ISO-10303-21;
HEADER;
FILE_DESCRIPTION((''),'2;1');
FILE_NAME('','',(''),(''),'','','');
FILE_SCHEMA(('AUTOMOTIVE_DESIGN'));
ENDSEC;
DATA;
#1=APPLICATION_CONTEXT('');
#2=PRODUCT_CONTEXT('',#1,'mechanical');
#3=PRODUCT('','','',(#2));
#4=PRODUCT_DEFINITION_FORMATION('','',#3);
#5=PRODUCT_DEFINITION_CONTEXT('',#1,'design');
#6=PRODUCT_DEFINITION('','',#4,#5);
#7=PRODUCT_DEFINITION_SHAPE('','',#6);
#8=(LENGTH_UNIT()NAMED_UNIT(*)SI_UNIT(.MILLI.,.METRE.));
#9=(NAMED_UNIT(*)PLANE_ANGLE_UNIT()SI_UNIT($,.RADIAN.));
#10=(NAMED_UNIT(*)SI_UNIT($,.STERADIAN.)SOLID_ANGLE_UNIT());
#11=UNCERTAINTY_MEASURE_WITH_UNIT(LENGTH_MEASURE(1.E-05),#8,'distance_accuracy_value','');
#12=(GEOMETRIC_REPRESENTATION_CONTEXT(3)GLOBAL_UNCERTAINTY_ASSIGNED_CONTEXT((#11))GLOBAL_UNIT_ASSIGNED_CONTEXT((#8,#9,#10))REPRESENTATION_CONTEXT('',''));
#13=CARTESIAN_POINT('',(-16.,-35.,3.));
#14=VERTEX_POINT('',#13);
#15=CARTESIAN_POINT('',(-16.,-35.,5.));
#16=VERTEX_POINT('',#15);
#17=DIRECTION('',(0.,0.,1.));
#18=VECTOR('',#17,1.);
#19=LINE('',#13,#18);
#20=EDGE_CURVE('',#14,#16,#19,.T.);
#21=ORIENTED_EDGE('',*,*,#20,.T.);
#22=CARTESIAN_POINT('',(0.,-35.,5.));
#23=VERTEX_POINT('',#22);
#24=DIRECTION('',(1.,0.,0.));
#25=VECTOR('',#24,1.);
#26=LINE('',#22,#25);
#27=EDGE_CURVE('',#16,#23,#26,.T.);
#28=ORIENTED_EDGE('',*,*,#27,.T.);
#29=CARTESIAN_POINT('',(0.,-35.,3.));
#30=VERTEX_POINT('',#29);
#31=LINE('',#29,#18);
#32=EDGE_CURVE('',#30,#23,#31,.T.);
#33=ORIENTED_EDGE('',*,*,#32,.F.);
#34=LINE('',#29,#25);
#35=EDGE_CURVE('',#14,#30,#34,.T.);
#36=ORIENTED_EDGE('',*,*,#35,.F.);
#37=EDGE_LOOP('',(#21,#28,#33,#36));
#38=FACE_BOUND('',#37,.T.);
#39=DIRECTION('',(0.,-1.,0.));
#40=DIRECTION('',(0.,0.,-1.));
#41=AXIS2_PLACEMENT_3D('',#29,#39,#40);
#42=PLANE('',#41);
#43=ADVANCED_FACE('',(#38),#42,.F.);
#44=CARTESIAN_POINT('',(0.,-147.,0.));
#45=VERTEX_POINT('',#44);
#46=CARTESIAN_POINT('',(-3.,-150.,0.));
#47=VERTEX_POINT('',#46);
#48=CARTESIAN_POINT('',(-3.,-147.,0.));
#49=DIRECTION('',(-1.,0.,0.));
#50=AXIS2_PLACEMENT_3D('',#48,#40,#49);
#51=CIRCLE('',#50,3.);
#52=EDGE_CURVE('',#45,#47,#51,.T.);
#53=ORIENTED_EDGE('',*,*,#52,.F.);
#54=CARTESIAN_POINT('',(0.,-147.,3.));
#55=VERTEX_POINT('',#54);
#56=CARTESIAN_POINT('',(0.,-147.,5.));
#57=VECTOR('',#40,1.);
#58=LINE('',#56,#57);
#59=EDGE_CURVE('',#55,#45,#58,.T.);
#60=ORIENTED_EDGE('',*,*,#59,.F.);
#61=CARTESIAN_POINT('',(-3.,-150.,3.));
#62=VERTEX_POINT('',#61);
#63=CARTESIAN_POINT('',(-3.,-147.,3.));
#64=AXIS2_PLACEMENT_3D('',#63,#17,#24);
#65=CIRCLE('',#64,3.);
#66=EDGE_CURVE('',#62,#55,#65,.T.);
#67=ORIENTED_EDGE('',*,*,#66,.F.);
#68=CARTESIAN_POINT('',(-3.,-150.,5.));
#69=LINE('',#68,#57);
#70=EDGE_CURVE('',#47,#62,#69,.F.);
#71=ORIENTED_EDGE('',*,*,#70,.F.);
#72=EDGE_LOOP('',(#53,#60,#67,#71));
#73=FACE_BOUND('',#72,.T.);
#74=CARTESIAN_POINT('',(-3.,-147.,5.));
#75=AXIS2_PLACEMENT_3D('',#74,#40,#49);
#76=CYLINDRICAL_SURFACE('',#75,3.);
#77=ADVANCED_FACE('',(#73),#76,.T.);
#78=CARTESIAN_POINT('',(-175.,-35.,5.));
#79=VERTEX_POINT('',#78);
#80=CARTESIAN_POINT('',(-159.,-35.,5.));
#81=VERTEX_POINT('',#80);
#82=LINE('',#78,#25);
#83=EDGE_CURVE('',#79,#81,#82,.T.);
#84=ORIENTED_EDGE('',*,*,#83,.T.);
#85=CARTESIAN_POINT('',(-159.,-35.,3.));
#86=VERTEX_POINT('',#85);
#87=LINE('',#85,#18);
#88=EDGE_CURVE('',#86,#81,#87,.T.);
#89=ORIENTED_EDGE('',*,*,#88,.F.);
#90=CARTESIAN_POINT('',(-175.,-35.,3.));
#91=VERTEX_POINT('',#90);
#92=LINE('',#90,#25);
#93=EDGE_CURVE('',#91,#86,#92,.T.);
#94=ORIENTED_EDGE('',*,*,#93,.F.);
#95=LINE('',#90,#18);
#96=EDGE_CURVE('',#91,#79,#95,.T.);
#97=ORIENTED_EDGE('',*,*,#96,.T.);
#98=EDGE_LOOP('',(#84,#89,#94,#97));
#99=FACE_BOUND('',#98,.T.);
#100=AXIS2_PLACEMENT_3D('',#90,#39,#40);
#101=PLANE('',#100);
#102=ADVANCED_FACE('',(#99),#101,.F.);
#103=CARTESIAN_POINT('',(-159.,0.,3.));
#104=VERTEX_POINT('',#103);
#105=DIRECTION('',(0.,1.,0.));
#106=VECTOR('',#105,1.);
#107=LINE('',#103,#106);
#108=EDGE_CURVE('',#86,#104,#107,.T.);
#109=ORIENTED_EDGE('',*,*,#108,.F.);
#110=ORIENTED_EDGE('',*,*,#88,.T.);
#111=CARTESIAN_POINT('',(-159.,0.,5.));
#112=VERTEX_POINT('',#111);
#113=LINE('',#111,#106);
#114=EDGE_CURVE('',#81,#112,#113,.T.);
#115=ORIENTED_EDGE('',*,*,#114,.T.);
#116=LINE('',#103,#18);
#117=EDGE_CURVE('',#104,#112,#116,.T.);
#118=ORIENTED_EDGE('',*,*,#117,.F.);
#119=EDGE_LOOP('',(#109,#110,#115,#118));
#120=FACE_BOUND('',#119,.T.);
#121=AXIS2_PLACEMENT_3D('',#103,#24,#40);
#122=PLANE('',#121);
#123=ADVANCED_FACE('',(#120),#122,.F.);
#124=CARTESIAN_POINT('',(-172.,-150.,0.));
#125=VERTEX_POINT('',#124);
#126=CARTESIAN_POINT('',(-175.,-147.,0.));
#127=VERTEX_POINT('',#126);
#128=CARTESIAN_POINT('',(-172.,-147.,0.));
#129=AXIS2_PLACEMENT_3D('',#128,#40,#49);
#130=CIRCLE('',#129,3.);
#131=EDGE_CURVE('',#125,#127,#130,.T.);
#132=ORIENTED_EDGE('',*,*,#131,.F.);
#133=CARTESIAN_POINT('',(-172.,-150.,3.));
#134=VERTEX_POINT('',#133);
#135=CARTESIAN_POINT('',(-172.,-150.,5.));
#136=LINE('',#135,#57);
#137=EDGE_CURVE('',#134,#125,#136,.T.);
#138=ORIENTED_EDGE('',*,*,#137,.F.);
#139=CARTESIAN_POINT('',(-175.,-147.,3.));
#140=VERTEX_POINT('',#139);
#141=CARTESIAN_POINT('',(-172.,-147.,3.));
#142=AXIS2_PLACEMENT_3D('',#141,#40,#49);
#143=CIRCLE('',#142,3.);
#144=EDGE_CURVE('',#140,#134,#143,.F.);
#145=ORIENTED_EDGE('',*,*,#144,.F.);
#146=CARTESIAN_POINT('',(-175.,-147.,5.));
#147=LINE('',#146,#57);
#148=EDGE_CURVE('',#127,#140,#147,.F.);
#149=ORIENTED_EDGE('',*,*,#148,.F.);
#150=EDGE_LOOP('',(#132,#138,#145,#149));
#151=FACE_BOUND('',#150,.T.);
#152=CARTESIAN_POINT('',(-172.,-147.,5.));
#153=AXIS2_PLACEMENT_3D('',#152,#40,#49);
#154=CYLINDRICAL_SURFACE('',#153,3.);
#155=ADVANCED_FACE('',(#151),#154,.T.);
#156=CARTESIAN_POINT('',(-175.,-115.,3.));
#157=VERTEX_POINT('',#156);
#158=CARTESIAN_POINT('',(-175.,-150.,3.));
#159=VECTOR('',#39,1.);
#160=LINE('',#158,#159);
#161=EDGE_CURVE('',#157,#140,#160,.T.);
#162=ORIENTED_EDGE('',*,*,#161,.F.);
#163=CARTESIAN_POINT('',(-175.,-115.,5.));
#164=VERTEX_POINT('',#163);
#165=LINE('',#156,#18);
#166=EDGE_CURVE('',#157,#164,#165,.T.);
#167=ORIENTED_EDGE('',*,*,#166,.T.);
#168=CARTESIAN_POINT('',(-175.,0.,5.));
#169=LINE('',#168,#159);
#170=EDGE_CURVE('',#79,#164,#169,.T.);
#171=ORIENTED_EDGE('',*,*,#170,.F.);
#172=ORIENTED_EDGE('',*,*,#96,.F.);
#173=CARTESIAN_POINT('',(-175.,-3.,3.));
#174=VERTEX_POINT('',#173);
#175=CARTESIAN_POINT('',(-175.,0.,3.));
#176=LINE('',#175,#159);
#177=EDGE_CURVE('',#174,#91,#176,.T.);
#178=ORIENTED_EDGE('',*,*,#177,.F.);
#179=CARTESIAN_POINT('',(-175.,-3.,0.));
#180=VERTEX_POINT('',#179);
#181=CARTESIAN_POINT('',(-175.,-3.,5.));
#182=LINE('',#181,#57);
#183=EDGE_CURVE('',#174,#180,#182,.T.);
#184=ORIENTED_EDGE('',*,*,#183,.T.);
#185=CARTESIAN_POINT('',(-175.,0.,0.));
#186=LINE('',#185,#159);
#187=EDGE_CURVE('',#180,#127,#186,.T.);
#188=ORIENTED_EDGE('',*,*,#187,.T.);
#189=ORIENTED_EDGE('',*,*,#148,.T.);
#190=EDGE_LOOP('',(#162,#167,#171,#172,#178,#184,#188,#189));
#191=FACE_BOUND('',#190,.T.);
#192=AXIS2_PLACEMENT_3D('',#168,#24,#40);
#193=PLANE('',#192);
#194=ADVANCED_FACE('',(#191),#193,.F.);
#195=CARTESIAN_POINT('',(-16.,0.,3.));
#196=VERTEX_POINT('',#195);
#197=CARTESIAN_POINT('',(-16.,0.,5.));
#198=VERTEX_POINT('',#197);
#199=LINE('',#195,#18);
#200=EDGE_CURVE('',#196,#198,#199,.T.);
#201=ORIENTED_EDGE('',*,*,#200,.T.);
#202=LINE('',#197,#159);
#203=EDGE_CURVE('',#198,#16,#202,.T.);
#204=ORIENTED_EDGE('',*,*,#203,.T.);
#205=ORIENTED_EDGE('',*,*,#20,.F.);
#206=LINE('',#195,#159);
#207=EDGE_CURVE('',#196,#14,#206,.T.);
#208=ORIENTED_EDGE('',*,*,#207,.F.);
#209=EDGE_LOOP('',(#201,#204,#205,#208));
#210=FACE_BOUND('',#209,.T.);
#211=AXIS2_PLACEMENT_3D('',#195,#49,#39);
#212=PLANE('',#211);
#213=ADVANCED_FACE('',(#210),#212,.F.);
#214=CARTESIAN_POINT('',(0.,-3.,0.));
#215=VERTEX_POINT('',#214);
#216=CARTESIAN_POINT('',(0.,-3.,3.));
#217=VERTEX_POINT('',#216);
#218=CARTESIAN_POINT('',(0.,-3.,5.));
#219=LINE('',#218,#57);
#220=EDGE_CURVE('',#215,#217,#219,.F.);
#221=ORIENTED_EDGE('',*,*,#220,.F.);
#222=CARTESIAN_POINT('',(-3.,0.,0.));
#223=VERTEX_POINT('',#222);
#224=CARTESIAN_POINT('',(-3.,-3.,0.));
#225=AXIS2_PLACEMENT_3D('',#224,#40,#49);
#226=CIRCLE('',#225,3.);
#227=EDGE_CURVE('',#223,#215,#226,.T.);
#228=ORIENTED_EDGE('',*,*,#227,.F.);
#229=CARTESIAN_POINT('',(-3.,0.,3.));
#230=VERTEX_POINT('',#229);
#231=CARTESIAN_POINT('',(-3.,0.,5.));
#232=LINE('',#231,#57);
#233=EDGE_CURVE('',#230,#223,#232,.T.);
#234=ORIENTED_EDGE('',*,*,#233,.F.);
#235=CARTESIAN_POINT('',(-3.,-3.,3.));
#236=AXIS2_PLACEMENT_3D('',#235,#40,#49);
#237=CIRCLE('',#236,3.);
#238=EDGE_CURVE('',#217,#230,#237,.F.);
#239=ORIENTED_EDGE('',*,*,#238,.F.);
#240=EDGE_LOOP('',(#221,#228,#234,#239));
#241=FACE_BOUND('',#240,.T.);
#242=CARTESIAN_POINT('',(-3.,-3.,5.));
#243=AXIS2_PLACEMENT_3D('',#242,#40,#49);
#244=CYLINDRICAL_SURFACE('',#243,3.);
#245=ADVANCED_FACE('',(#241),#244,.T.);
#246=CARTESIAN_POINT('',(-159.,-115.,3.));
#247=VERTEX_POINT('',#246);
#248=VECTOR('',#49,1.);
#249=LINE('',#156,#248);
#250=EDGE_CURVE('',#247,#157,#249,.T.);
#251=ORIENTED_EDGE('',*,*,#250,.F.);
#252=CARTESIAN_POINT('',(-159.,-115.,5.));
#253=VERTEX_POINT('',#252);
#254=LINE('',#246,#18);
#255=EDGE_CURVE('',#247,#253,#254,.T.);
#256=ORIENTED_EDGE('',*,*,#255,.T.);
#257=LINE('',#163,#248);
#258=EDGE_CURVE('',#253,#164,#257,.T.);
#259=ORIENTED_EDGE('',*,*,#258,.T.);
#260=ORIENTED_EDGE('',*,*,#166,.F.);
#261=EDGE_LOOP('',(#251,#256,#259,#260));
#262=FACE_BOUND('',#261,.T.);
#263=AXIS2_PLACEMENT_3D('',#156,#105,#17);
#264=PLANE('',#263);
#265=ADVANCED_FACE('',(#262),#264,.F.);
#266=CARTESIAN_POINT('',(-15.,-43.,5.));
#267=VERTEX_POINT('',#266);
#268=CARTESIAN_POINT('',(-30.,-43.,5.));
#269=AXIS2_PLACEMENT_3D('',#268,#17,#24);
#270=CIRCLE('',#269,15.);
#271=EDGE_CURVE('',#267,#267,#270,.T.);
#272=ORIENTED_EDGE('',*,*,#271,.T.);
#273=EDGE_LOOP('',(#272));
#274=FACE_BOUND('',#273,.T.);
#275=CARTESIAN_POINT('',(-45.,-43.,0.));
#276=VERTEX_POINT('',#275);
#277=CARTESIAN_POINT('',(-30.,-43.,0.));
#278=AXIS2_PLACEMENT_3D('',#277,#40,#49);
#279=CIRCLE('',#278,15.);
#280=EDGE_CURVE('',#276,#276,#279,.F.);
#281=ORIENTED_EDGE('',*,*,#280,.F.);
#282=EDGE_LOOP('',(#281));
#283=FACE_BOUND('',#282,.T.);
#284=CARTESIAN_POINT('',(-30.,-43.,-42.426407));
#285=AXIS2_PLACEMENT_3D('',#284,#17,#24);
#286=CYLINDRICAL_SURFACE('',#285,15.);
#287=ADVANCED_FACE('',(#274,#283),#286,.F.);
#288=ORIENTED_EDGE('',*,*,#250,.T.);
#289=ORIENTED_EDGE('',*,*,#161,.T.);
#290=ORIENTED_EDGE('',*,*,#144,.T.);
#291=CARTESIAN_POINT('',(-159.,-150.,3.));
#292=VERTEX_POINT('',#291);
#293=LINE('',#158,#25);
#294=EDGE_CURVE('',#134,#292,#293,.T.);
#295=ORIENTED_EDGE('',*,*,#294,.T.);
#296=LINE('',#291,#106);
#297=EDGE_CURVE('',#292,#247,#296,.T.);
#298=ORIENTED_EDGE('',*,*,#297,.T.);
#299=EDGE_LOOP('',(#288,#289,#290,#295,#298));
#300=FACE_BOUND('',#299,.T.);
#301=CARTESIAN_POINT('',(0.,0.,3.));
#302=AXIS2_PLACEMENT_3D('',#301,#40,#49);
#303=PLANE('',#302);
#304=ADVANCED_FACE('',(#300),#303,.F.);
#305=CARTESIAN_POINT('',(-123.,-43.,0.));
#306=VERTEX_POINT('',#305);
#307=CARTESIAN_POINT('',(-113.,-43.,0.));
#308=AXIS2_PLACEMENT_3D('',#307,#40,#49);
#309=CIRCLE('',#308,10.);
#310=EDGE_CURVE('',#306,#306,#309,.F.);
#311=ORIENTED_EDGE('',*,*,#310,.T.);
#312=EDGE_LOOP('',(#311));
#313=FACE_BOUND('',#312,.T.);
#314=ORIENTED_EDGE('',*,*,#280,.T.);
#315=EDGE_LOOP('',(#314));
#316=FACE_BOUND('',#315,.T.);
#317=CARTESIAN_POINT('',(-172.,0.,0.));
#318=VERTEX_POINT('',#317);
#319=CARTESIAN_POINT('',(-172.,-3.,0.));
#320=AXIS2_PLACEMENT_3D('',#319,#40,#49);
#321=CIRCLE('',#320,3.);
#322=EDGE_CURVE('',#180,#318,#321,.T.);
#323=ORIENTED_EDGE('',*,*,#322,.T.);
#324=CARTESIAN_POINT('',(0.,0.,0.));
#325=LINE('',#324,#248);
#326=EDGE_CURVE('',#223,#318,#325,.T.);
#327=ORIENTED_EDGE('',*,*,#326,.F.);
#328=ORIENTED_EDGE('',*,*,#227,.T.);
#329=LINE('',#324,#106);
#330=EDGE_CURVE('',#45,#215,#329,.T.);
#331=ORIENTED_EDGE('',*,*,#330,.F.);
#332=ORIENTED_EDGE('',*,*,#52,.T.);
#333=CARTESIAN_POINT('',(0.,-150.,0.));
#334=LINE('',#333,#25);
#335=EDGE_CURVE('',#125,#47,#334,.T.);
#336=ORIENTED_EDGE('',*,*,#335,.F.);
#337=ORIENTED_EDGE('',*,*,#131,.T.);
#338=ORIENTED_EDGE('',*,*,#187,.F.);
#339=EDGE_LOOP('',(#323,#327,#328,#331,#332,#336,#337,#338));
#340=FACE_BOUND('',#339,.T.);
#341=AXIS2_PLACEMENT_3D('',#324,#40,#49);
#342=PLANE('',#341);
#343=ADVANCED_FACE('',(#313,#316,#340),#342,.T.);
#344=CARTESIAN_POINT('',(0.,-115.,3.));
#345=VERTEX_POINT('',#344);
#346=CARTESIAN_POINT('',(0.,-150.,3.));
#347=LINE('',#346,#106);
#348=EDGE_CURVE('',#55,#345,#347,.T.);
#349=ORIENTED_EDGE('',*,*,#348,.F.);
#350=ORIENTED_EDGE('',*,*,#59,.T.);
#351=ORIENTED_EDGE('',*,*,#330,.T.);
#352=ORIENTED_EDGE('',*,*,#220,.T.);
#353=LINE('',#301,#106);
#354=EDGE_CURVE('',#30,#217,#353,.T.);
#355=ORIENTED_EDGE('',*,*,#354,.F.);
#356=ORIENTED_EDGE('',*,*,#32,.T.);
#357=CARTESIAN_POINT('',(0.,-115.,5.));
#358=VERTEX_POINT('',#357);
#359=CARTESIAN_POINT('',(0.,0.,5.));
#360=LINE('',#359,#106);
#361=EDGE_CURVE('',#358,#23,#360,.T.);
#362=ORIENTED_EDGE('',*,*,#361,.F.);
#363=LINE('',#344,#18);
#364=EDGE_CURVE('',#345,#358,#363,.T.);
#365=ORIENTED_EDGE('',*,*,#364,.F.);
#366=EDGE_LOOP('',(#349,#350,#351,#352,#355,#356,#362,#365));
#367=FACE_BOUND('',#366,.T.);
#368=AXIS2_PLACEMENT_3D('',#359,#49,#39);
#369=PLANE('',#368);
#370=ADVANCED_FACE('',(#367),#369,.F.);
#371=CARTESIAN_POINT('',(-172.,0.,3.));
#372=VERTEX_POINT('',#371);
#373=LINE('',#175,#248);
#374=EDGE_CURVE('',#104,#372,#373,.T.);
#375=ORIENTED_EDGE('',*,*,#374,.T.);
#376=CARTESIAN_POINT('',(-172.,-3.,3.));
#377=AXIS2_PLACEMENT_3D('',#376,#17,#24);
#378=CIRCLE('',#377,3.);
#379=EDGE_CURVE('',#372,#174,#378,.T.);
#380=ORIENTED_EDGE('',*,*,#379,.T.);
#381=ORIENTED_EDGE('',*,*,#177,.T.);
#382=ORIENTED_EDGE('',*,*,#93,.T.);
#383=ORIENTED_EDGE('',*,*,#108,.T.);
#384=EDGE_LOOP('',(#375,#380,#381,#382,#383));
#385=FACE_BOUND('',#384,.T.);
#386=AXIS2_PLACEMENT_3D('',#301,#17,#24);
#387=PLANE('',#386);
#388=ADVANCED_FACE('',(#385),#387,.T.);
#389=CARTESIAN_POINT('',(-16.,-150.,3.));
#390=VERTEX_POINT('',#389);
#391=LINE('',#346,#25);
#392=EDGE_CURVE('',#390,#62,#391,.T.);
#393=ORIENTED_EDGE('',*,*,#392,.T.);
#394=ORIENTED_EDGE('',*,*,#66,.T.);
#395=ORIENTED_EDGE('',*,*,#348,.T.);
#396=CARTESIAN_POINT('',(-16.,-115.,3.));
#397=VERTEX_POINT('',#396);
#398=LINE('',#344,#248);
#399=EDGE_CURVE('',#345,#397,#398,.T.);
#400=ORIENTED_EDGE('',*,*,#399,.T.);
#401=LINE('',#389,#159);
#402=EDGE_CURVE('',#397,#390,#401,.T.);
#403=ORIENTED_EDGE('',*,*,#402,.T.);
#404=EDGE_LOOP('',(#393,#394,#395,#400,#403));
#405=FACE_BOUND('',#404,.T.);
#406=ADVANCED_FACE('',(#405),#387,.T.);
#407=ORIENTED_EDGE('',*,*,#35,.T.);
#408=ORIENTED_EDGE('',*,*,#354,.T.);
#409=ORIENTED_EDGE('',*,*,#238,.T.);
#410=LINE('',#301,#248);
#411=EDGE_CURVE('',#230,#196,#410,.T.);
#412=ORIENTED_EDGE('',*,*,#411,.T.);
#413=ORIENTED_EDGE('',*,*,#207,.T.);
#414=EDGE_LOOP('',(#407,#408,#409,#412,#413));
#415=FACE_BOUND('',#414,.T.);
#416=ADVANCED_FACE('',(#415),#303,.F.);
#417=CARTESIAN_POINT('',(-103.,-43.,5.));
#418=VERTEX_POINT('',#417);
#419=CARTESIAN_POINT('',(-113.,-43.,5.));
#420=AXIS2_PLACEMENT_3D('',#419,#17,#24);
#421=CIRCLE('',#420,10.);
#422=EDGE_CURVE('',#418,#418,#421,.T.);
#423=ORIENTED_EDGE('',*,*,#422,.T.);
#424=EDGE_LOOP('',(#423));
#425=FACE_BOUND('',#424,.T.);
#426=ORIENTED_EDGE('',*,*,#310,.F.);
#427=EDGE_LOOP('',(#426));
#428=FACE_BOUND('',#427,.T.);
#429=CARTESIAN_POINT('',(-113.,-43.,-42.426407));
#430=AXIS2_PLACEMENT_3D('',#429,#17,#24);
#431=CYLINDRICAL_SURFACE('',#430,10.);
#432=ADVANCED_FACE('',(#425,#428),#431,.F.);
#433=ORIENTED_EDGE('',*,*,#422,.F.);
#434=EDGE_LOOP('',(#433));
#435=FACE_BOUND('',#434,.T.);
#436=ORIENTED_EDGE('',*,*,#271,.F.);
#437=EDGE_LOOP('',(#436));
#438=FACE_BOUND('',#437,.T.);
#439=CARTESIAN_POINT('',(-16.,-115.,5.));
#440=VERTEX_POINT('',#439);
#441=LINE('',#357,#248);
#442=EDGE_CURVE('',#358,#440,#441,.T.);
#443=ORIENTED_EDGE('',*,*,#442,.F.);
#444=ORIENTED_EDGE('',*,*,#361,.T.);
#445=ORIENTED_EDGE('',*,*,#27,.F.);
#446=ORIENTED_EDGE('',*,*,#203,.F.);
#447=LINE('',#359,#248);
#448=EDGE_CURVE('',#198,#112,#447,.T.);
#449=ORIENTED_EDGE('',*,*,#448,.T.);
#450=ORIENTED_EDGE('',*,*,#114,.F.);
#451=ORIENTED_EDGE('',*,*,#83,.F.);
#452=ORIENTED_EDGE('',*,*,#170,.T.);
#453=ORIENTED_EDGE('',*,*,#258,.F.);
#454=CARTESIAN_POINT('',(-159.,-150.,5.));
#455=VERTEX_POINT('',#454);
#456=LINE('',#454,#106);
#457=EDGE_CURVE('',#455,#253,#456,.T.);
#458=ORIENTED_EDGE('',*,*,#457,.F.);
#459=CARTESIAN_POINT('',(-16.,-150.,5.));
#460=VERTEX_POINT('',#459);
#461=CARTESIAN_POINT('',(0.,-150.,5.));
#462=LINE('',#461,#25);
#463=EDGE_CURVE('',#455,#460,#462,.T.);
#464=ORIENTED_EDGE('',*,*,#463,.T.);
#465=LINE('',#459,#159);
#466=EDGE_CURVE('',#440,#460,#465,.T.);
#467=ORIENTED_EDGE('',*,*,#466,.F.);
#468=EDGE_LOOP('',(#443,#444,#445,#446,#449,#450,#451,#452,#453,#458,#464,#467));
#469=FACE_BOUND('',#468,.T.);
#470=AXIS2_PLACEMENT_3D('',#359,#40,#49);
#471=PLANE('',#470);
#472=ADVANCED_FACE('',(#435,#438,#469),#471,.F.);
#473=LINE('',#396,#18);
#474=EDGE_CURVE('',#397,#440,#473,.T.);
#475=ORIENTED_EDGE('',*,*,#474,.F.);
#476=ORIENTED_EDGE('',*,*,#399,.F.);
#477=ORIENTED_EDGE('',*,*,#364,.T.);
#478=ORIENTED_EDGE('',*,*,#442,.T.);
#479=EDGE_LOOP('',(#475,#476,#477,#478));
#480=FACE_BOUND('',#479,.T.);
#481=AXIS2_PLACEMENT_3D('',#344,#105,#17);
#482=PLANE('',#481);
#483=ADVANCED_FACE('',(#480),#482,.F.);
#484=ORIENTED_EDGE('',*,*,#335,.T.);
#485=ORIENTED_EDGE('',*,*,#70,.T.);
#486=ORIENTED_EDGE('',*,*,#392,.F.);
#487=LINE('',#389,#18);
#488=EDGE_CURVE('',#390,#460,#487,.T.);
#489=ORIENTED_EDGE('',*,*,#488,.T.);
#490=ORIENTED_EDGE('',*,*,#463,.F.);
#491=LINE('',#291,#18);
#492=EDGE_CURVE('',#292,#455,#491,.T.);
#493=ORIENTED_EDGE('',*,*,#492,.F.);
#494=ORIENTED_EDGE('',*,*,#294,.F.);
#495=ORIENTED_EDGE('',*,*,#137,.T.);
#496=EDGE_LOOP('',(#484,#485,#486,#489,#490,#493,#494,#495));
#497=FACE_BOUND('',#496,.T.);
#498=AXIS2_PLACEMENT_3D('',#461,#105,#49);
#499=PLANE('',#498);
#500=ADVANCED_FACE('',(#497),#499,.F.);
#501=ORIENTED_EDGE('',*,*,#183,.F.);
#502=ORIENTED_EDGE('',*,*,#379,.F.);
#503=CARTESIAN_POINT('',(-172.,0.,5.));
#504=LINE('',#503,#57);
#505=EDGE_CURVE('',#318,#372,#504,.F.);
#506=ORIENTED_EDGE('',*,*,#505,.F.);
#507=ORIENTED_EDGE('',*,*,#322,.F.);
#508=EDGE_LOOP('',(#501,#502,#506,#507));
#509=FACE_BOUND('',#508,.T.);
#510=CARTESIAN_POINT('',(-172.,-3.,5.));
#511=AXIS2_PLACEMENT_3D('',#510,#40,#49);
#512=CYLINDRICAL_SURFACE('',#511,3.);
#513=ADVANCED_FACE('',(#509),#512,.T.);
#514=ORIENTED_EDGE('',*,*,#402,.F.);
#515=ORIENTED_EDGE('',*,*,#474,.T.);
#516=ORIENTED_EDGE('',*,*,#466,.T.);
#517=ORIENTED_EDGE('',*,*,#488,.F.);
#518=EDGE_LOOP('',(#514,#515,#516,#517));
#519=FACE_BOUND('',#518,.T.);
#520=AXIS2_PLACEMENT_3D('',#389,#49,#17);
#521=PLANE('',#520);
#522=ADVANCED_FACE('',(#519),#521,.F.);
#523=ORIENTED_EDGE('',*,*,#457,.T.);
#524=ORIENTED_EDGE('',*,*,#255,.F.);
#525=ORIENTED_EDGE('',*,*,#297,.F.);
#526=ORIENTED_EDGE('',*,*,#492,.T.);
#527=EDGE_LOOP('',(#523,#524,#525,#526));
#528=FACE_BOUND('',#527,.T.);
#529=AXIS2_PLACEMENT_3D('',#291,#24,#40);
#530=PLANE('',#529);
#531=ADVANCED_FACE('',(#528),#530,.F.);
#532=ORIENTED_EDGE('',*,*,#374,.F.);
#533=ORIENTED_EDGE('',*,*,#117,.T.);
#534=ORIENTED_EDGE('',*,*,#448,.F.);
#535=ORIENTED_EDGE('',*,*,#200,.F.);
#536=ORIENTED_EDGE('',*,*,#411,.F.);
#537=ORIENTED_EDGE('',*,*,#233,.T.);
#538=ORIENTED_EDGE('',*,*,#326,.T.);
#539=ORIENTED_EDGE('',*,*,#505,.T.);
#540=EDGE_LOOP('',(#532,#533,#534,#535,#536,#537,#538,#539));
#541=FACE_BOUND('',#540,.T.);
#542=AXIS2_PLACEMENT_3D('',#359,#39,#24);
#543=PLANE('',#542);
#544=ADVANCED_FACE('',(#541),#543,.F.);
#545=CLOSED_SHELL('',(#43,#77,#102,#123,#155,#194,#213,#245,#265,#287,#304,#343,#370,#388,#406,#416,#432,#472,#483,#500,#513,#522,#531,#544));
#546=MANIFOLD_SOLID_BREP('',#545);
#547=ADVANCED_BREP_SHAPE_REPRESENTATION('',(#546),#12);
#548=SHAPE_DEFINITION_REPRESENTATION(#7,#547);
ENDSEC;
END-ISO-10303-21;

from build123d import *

# Parameters (mm, degrees)
SKETCH1_W           = 175
SKETCH1_H           = 150
BOSS_EXTRUDE1_DEPTH = 5
SKETCH3_R           = 15
SKETCH3_R_2         = 10
CUT_EXTRUDE1_DEPTH  = 5
SKETCH4_W           = 16
SKETCH4_H           = 35
CUT_EXTRUDE2_DEPTH  = 2
FILLET1_R           = 3


with BuildPart() as part:
    # Sketch1 → Boss-Extrude1 (new body)
    with BuildSketch(Plane.XY):
        with Locations((-87.5, -75)):
            Rectangle(SKETCH1_W, SKETCH1_H)
    extrude(amount=BOSS_EXTRUDE1_DEPTH)

    # Sketch3 → Cut-Extrude1 (cut)
    with BuildSketch(Plane.XY.offset(5)):
        with Locations((-30, -43)):
            Circle(SKETCH3_R)
        with Locations((-113, -43)):
            Circle(SKETCH3_R_2)
    extrude(amount=-CUT_EXTRUDE1_DEPTH, mode=Mode.SUBTRACT)

    # Sketch4 → Cut-Extrude2 (cut)
    with BuildSketch(Plane.XY.offset(5)):
        with Locations((-167, -17.5)):
            Rectangle(SKETCH4_W, SKETCH4_H)
        with Locations((-8, -17.5)):
            Rectangle(SKETCH4_W, SKETCH4_H)
        with Locations((-8, -132.5)):
            Rectangle(SKETCH4_W, SKETCH4_H)
        with Locations((-167, -132.5)):
            Rectangle(SKETCH4_W, SKETCH4_H)
    extrude(amount=-CUT_EXTRUDE2_DEPTH, mode=Mode.SUBTRACT)

    # Fillet1
    fillet1_edges = [part.edges().sort_by_distance(p)[0] for p in [
        (0, -150, 1.5),
        (-175, -150, 1.5),
        (-175, 0, 1.5),
        (0, 0, 1.5),
    ]]
    fillet(fillet1_edges, radius=FILLET1_R)


solid = part.part
